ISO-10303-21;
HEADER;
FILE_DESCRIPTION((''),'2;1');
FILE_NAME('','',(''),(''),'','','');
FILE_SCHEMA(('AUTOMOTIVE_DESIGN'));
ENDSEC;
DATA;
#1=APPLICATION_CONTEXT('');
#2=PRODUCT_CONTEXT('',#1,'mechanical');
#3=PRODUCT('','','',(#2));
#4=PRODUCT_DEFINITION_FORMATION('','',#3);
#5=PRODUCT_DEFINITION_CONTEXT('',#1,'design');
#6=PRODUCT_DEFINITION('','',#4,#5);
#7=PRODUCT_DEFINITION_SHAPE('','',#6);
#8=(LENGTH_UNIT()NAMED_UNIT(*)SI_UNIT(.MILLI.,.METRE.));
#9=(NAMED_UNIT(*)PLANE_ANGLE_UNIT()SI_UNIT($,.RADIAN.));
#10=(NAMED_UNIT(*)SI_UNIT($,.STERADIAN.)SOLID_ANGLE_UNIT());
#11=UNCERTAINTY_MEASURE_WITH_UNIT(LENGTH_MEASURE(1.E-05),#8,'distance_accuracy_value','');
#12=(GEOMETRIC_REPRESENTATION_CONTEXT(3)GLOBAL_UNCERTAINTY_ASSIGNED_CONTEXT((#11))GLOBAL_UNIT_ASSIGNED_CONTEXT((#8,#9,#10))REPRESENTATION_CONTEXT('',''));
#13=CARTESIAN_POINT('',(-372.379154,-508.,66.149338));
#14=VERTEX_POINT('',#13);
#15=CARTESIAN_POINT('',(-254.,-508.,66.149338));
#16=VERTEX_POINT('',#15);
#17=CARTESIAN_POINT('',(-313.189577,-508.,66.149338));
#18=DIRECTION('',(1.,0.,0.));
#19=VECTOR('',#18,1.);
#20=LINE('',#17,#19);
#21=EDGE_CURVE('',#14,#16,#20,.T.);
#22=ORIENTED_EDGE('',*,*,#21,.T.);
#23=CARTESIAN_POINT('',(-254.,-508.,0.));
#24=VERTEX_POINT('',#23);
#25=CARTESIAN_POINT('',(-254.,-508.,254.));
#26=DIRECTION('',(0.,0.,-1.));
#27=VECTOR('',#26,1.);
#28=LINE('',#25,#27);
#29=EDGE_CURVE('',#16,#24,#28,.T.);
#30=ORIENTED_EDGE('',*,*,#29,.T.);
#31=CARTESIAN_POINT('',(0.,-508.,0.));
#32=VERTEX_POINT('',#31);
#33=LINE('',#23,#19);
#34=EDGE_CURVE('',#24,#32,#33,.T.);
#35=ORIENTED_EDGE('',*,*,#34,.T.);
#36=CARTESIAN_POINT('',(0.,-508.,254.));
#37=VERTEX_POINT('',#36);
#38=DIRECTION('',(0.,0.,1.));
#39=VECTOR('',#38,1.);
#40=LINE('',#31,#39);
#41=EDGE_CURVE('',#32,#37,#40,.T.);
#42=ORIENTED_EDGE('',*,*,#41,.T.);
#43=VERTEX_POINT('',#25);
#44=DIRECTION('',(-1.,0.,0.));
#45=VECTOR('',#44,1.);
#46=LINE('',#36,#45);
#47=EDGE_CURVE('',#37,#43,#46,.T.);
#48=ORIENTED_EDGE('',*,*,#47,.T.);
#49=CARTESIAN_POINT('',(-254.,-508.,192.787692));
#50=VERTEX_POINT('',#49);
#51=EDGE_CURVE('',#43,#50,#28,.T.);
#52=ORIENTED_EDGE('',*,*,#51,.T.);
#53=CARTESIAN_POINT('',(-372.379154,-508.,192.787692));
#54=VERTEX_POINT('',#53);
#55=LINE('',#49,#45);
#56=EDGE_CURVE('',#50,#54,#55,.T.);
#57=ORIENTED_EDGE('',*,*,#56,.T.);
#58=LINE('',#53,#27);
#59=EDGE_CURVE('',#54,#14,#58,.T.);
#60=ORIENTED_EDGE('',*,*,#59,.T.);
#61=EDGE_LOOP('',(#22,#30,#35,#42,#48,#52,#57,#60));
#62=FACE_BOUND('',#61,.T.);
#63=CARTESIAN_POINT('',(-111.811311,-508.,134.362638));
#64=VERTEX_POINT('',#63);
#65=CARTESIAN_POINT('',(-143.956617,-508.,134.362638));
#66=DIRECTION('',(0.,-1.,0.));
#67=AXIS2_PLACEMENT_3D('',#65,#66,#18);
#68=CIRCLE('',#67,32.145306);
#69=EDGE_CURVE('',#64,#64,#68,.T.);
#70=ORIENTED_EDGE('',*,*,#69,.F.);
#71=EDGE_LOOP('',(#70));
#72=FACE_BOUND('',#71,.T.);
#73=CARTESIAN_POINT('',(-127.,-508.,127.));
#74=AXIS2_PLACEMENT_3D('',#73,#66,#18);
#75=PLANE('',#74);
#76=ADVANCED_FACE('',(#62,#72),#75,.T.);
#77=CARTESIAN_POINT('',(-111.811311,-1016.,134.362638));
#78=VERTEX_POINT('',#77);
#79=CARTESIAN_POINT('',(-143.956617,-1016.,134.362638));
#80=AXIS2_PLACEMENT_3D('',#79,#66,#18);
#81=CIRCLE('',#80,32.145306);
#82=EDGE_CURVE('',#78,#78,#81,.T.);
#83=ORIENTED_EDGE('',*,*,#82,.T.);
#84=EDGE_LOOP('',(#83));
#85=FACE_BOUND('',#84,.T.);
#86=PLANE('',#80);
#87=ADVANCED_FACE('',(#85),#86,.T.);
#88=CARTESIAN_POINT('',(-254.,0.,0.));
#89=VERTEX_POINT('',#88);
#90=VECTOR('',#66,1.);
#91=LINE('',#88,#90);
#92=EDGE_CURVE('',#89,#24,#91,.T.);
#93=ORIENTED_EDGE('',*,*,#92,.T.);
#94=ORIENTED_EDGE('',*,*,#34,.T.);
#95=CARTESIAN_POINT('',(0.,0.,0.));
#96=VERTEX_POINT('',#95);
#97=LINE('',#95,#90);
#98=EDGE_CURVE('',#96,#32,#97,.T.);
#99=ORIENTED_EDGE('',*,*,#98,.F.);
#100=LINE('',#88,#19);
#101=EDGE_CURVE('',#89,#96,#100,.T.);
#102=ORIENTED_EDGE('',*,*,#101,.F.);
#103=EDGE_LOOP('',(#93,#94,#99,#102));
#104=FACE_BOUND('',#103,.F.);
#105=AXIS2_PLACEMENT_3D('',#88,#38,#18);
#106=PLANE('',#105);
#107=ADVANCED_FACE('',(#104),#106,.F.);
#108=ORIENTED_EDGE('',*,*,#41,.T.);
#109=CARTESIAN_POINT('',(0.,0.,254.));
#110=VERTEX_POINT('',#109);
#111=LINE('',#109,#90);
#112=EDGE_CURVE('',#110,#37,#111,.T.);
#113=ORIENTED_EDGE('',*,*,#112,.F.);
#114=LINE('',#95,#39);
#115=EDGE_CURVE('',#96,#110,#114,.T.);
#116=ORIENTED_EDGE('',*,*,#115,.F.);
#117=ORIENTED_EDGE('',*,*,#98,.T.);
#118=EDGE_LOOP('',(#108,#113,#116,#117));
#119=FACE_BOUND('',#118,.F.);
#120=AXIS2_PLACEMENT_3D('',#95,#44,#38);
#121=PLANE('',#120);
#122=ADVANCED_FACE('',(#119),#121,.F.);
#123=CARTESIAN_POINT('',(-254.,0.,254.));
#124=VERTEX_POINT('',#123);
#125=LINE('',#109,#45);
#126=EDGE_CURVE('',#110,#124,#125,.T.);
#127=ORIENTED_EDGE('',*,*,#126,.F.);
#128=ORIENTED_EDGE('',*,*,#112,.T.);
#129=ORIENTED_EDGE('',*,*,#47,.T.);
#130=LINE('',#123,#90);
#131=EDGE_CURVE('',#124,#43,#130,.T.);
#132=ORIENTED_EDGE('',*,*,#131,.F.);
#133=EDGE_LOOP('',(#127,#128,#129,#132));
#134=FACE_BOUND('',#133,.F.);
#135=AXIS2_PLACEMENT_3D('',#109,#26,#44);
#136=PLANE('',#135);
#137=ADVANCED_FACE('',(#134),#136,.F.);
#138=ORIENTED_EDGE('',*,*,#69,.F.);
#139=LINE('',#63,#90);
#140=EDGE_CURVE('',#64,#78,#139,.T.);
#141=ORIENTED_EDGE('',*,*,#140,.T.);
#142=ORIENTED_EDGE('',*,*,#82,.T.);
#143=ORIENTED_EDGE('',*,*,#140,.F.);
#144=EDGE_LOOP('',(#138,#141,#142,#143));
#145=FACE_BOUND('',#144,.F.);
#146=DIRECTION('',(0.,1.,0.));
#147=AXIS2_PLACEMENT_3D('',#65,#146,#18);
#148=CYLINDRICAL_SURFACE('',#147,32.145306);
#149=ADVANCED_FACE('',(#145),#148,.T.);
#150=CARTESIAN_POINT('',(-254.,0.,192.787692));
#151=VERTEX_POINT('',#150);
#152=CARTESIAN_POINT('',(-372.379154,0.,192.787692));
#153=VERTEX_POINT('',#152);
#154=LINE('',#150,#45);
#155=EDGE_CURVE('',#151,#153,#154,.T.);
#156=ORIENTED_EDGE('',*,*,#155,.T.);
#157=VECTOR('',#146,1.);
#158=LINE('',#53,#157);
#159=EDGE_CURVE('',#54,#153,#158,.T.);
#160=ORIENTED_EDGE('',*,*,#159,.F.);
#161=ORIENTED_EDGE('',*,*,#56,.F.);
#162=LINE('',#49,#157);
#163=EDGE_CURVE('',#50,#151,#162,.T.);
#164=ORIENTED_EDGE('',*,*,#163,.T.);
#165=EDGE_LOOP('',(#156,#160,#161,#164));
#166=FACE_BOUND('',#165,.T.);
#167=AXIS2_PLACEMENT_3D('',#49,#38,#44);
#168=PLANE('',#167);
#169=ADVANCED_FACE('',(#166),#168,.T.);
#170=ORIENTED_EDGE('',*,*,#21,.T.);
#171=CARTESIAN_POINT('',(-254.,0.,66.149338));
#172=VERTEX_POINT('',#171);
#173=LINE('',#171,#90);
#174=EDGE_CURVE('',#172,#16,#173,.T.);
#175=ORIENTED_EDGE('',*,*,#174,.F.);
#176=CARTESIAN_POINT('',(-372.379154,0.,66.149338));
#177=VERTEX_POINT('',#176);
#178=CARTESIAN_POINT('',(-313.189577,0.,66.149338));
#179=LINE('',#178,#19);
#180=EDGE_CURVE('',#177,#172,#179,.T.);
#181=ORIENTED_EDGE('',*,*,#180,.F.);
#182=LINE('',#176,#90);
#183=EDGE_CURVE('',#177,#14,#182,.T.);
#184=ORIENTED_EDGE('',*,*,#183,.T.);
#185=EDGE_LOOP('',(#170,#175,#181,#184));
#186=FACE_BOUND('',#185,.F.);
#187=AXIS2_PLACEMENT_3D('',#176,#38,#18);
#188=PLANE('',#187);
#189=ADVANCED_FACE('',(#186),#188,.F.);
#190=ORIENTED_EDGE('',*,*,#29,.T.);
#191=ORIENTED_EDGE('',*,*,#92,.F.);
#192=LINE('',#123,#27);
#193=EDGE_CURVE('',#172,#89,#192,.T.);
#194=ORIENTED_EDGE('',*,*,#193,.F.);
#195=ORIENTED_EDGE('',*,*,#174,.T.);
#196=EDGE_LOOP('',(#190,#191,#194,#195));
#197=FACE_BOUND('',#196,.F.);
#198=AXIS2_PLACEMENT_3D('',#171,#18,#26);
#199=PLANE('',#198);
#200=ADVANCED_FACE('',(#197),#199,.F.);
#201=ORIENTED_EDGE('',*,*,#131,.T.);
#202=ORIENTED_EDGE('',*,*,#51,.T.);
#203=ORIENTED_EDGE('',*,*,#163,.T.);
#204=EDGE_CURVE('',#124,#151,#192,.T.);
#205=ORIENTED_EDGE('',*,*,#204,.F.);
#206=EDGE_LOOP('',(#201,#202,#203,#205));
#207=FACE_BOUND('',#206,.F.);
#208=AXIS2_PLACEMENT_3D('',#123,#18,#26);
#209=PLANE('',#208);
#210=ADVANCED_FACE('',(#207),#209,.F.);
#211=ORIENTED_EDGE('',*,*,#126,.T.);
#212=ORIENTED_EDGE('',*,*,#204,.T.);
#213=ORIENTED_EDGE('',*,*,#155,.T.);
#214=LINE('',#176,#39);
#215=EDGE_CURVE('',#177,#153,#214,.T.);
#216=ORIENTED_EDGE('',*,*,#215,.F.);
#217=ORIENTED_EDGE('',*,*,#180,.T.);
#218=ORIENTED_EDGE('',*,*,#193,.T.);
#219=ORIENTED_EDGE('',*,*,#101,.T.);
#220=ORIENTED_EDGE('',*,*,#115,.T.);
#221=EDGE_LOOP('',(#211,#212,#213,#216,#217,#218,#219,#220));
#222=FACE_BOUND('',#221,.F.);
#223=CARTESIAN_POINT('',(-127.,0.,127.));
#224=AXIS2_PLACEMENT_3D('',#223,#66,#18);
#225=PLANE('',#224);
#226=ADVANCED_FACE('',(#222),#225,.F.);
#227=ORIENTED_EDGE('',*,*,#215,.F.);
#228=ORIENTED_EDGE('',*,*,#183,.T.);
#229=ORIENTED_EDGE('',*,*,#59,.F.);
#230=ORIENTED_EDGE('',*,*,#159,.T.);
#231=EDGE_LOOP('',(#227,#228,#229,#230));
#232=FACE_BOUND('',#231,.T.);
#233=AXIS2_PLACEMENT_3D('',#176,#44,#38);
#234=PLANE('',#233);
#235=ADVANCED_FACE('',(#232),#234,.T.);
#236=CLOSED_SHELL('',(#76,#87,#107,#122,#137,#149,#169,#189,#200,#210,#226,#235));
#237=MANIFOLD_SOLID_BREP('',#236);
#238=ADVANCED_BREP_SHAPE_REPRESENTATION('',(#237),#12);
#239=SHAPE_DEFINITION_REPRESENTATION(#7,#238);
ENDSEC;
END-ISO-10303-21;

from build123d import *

# Parameters (mm, degrees)
F0_W     = 118.379154
F0_H     = 126.638353
F1_DEPTH = 508
F2_R     = 32.145306
F3_DEPTH = 508
F4_DEPTH = 508
F5_DEPTH = 508


with BuildPart() as f1:
    # F0 (on Front) → F1 (new body)
    with BuildSketch(Plane.XZ):
        Polygon((-254, 0), (0, 0), (0, 254), (-254, 254), (-254, 192.787692), (-254, 66.149339), align=None)
        with Locations((-313.189577, 129.468515)):
            Rectangle(F0_W, F0_H)
    extrude(amount=F1_DEPTH)

    # F2 (on face) → F3 (join)
    with BuildSketch(Plane.XZ.offset(508)):
        with Locations((-143.956617, 134.362638)):
            Circle(F2_R)
    extrude(amount=-F3_DEPTH)

    # F2 (on face) + F1_face (on face) → F4 (join)
    with BuildSketch(Plane.XZ.offset(508)):
        with Locations((-143.956617, 134.362638)):
            Circle(F2_R)
    with BuildSketch(Plane(origin=(-162.106588, -508, 127.465446), x_dir=(1, 0, 0), z_dir=(0, -1, 0))):
        Polygon((-91.893412, -127.465446), (162.106588, -127.465446), (162.106588, 126.534554), (-91.893412, 126.534554), (-91.893412, 65.322246), (-210.272566, 65.322246), (-210.272566, -61.316107), (-91.893412, -61.316107), align=None)
    extrude(amount=-F4_DEPTH)

    # F2 (on face) → F5 (join)
    with BuildSketch(Plane.XZ.offset(508)):
        with Locations((-143.956617, 134.362638)):
            Circle(F2_R)
    extrude(amount=F5_DEPTH)


solid = f1.part
